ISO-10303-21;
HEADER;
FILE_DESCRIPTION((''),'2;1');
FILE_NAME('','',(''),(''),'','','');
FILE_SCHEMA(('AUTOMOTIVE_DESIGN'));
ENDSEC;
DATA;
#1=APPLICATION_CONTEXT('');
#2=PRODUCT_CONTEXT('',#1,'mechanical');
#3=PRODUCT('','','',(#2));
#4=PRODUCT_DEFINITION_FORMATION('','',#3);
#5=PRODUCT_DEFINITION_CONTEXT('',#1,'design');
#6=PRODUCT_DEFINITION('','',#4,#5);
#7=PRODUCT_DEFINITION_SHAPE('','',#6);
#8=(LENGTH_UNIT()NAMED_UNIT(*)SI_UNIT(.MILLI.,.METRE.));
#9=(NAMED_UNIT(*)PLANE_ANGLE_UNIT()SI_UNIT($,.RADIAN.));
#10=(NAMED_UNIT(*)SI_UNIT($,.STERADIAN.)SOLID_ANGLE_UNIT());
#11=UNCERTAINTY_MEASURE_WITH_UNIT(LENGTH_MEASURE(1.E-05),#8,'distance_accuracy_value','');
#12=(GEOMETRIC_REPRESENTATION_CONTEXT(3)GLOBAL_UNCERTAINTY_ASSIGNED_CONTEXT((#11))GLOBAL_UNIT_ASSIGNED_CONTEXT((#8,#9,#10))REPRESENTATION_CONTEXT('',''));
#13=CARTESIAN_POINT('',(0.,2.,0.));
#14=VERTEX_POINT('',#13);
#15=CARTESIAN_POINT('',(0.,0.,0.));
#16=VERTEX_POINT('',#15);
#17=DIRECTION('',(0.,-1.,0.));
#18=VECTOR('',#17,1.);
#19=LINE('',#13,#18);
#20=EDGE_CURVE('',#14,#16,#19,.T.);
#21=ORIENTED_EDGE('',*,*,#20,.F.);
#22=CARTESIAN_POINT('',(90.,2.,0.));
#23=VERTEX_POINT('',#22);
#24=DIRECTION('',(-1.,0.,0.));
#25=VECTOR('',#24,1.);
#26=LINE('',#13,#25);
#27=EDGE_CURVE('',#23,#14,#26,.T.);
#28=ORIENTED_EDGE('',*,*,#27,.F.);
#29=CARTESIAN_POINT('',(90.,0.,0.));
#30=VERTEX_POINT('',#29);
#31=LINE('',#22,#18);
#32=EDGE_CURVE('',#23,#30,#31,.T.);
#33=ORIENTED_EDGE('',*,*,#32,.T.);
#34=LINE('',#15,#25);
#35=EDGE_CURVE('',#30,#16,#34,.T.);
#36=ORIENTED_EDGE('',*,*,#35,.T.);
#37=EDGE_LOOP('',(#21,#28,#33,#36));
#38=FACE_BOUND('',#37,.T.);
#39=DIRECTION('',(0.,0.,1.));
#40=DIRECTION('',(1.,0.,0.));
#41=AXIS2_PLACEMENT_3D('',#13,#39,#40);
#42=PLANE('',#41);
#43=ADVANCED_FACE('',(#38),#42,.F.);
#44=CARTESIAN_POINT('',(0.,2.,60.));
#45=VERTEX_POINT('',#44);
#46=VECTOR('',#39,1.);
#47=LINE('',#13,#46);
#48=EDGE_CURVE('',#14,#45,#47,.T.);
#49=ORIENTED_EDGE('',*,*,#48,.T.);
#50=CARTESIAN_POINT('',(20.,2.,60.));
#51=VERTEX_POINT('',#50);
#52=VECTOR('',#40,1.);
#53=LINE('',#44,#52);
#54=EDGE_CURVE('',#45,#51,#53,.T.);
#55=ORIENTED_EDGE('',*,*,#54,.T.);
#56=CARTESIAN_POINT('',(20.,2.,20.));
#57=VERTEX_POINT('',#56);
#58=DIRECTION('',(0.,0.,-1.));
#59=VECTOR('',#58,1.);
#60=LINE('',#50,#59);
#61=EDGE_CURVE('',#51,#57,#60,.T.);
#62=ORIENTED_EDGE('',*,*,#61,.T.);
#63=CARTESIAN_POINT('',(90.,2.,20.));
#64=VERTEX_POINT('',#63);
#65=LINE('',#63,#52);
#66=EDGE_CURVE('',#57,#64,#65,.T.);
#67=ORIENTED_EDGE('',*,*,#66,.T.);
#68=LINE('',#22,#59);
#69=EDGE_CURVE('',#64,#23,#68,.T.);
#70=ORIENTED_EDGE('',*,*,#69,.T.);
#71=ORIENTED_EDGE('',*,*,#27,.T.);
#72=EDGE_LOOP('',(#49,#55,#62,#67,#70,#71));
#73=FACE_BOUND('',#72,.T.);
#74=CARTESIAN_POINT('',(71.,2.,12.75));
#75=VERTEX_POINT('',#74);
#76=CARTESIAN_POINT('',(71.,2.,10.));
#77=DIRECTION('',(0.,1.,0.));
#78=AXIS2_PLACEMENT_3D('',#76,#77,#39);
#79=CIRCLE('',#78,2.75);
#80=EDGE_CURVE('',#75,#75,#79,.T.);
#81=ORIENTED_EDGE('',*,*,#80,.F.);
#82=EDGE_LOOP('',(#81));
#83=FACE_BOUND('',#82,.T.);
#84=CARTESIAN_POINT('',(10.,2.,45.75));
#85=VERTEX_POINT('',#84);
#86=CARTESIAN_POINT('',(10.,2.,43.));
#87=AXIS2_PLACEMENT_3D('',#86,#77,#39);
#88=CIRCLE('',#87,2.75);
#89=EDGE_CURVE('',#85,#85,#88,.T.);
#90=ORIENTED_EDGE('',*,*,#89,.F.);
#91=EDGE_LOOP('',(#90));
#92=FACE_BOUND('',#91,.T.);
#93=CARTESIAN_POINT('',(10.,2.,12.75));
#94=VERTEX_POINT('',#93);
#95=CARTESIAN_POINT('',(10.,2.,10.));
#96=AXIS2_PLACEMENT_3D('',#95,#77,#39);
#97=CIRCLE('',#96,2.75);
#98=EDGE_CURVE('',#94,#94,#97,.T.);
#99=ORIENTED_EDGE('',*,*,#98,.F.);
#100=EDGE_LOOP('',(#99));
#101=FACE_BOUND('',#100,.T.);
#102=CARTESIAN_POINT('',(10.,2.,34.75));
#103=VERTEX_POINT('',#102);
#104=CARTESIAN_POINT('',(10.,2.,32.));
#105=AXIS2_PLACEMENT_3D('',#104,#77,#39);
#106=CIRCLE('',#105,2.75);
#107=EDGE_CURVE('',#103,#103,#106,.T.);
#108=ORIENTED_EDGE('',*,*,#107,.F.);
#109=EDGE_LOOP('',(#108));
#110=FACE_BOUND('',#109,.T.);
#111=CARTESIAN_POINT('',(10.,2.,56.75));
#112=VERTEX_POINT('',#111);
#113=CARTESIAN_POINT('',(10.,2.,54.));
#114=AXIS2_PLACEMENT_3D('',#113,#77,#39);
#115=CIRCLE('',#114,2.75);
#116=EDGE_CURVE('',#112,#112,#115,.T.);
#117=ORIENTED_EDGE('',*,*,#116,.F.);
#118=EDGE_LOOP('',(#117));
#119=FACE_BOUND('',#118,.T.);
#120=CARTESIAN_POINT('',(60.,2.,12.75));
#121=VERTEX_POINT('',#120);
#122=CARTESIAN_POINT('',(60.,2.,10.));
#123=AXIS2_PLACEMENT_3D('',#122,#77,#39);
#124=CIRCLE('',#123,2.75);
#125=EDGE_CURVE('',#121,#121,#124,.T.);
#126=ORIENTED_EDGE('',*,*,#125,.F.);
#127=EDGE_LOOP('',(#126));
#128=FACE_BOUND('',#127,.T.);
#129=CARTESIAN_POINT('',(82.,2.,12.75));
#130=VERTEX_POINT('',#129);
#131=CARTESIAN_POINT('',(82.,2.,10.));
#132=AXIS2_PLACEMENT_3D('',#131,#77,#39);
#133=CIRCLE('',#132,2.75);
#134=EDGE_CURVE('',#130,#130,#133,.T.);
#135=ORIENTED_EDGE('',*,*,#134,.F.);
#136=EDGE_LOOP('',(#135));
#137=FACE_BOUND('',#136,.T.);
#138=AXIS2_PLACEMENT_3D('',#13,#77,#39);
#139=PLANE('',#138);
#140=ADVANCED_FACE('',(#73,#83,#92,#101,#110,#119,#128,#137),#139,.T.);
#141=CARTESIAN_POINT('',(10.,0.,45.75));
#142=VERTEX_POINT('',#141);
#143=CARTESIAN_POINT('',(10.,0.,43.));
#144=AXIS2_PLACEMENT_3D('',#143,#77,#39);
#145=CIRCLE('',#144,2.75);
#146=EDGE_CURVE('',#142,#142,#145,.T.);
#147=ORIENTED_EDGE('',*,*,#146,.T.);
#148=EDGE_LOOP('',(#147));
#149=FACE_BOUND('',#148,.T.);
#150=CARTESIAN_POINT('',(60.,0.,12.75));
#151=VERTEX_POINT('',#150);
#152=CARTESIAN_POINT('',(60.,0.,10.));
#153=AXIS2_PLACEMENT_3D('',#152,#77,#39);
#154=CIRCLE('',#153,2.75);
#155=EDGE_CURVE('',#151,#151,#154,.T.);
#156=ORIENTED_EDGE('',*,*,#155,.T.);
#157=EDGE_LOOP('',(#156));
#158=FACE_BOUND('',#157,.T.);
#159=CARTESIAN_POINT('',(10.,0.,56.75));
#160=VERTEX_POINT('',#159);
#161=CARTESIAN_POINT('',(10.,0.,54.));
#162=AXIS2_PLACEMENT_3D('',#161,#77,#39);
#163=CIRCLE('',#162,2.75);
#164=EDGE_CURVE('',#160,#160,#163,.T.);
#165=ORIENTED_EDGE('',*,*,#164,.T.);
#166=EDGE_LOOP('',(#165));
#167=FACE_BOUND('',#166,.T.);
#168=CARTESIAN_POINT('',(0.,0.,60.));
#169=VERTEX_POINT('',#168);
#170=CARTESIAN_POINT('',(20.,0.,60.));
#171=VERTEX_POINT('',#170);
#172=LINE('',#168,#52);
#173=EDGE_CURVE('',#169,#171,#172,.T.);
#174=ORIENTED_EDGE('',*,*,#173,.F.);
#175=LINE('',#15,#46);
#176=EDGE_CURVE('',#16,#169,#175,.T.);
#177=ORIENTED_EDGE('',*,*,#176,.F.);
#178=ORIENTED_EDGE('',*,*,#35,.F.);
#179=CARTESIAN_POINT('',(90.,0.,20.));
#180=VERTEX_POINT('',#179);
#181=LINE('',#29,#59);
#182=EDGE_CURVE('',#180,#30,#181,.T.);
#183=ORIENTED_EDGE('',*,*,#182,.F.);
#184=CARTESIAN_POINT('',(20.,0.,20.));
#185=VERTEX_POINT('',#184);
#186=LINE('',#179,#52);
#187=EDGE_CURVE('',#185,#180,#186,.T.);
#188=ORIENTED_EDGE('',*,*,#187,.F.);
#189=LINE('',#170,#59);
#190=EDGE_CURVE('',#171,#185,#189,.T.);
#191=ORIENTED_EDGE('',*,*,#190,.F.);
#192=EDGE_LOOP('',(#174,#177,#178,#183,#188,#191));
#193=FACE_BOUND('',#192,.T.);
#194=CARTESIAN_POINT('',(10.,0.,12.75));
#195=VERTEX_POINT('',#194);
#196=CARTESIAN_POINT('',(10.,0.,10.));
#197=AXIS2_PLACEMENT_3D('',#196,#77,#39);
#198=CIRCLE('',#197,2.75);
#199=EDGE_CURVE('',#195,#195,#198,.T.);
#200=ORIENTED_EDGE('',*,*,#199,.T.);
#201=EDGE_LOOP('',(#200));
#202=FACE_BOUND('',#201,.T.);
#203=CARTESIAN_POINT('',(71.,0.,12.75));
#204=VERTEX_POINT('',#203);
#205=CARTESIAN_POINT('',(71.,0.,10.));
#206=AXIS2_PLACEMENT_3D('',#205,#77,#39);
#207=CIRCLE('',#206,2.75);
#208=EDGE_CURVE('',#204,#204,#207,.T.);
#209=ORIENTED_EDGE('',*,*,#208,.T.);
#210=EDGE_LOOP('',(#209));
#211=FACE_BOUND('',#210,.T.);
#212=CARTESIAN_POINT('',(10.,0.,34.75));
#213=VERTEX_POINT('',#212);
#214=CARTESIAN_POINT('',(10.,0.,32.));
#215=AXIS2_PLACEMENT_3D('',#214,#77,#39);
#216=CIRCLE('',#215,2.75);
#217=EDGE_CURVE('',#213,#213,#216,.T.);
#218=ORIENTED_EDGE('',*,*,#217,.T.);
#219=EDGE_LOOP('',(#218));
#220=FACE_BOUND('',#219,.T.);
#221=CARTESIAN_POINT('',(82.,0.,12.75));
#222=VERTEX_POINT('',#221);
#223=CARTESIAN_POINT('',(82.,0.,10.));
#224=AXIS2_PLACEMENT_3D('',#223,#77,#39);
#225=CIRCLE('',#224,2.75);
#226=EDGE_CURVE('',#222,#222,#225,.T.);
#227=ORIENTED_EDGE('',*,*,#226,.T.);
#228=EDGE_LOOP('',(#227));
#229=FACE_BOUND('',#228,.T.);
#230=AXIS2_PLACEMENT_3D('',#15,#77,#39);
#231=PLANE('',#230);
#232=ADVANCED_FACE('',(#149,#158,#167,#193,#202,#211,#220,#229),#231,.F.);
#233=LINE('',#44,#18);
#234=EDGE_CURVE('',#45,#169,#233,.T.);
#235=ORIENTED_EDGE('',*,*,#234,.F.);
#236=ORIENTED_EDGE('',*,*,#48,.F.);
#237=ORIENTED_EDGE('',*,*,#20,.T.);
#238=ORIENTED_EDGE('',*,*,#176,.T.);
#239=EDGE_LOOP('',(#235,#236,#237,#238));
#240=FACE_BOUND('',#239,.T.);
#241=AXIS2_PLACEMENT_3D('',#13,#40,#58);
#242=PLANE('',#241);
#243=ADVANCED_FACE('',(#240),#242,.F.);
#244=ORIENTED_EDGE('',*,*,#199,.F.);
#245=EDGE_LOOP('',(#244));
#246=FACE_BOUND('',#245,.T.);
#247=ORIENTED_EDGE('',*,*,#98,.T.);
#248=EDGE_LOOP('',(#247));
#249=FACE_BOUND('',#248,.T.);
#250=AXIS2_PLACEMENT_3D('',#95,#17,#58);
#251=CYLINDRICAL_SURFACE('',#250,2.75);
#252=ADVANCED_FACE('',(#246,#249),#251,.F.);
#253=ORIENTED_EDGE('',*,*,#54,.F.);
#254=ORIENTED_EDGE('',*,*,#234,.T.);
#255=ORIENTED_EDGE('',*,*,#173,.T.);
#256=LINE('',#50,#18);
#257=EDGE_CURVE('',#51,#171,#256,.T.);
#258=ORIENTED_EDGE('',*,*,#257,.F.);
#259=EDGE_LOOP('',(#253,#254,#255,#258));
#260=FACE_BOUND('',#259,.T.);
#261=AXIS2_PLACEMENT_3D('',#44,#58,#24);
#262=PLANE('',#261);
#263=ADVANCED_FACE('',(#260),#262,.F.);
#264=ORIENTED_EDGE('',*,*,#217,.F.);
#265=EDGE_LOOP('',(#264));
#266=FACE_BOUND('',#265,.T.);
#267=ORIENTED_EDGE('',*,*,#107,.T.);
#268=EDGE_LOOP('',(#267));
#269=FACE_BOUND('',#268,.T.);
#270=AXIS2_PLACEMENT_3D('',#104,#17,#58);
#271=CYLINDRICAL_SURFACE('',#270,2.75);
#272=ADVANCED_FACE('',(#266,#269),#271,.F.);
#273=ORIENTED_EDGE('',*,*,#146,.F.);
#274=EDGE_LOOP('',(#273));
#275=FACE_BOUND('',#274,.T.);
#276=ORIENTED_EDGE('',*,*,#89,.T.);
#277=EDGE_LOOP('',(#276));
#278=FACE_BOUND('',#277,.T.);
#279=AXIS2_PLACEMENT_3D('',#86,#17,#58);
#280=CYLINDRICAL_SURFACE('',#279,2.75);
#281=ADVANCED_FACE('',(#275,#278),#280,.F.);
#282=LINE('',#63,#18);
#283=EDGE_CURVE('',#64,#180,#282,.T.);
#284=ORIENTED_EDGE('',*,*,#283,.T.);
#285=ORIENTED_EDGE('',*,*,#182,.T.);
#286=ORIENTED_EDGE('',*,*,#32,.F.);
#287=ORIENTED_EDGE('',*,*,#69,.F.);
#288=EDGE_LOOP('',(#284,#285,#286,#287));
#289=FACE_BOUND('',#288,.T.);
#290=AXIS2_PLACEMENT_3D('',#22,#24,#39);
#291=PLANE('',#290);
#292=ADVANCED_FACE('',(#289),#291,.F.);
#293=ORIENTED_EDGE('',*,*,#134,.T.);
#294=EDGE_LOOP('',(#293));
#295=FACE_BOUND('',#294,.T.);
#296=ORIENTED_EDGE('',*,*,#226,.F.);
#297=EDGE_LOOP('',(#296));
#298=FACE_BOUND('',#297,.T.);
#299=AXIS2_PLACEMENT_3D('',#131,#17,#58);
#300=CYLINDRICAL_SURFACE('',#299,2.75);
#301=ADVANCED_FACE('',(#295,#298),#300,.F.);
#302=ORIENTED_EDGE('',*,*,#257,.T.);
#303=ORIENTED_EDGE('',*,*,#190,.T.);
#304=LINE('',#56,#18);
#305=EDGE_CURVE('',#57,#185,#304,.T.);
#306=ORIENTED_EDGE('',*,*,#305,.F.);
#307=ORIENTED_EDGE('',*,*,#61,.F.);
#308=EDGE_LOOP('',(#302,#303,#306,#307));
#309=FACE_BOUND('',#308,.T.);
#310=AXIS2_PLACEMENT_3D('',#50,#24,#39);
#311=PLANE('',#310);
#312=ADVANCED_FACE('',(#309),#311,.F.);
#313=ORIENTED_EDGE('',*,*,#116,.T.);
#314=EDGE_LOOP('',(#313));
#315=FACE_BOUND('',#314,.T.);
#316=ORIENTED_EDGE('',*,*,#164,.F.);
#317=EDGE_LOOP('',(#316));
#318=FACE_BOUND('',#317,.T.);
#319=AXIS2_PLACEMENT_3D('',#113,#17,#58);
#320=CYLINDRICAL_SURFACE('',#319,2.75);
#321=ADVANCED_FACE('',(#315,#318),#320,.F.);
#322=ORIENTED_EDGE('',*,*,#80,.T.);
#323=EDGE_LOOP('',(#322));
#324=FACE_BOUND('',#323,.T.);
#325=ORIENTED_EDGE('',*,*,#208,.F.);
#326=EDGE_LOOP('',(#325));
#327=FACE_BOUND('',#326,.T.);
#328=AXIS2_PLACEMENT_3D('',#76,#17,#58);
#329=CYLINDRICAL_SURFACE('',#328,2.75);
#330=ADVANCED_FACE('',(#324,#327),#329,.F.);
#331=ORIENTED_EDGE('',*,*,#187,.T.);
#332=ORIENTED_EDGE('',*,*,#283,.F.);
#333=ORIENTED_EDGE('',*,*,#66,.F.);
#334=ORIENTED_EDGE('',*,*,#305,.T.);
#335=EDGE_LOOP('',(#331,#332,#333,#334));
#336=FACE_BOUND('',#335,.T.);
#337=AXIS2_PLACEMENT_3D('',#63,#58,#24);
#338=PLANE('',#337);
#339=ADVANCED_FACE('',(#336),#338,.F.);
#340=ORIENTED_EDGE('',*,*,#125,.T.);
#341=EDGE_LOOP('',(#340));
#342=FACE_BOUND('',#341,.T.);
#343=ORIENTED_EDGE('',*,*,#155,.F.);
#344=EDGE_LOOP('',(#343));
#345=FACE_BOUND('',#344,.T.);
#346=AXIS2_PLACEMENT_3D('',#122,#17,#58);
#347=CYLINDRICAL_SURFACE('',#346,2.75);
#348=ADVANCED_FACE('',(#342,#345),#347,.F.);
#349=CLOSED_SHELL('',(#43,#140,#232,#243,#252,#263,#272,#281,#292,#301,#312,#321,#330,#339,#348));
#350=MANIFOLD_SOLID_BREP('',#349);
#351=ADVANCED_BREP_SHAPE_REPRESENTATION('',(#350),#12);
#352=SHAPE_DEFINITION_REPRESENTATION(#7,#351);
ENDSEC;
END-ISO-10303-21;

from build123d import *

# Parameters (mm, degrees)
SKETCH_1_R      = 2.75
EXTRUDE_1_DEPTH = 2


with BuildPart() as part:
    # 草图1 → 凸台-拉伸1 (new body)
    with BuildSketch(Plane(origin=(0, 0, 0), x_dir=(1, 0, 0), z_dir=(0, 1, 0))):
        Polygon((0, 0), (90, 0), (90, -20), (20, -20), (20, -60), (0, -60), align=None)
        with Locations(Location((10, -54, 0), (0, 0, 270))):
            Circle(SKETCH_1_R, mode=Mode.SUBTRACT)
        with Locations(Location((82, -10, 0), (0, 0, 270))):
            Circle(SKETCH_1_R, mode=Mode.SUBTRACT)
        with Locations(Location((10, -43, 0), (0, 0, 270))):
            Circle(SKETCH_1_R, mode=Mode.SUBTRACT)
        with Locations(Location((10, -32, 0), (0, 0, 270))):
            Circle(SKETCH_1_R, mode=Mode.SUBTRACT)
        with Locations(Location((71, -10, 0), (0, 0, 270))):
            Circle(SKETCH_1_R, mode=Mode.SUBTRACT)
        with Locations(Location((60, -10, 0), (0, 0, 270))):
            Circle(SKETCH_1_R, mode=Mode.SUBTRACT)
        with Locations(Location((10, -10, 0), (0, 0, 270))):
            Circle(SKETCH_1_R, mode=Mode.SUBTRACT)
    extrude(amount=EXTRUDE_1_DEPTH)


solid = part.part
